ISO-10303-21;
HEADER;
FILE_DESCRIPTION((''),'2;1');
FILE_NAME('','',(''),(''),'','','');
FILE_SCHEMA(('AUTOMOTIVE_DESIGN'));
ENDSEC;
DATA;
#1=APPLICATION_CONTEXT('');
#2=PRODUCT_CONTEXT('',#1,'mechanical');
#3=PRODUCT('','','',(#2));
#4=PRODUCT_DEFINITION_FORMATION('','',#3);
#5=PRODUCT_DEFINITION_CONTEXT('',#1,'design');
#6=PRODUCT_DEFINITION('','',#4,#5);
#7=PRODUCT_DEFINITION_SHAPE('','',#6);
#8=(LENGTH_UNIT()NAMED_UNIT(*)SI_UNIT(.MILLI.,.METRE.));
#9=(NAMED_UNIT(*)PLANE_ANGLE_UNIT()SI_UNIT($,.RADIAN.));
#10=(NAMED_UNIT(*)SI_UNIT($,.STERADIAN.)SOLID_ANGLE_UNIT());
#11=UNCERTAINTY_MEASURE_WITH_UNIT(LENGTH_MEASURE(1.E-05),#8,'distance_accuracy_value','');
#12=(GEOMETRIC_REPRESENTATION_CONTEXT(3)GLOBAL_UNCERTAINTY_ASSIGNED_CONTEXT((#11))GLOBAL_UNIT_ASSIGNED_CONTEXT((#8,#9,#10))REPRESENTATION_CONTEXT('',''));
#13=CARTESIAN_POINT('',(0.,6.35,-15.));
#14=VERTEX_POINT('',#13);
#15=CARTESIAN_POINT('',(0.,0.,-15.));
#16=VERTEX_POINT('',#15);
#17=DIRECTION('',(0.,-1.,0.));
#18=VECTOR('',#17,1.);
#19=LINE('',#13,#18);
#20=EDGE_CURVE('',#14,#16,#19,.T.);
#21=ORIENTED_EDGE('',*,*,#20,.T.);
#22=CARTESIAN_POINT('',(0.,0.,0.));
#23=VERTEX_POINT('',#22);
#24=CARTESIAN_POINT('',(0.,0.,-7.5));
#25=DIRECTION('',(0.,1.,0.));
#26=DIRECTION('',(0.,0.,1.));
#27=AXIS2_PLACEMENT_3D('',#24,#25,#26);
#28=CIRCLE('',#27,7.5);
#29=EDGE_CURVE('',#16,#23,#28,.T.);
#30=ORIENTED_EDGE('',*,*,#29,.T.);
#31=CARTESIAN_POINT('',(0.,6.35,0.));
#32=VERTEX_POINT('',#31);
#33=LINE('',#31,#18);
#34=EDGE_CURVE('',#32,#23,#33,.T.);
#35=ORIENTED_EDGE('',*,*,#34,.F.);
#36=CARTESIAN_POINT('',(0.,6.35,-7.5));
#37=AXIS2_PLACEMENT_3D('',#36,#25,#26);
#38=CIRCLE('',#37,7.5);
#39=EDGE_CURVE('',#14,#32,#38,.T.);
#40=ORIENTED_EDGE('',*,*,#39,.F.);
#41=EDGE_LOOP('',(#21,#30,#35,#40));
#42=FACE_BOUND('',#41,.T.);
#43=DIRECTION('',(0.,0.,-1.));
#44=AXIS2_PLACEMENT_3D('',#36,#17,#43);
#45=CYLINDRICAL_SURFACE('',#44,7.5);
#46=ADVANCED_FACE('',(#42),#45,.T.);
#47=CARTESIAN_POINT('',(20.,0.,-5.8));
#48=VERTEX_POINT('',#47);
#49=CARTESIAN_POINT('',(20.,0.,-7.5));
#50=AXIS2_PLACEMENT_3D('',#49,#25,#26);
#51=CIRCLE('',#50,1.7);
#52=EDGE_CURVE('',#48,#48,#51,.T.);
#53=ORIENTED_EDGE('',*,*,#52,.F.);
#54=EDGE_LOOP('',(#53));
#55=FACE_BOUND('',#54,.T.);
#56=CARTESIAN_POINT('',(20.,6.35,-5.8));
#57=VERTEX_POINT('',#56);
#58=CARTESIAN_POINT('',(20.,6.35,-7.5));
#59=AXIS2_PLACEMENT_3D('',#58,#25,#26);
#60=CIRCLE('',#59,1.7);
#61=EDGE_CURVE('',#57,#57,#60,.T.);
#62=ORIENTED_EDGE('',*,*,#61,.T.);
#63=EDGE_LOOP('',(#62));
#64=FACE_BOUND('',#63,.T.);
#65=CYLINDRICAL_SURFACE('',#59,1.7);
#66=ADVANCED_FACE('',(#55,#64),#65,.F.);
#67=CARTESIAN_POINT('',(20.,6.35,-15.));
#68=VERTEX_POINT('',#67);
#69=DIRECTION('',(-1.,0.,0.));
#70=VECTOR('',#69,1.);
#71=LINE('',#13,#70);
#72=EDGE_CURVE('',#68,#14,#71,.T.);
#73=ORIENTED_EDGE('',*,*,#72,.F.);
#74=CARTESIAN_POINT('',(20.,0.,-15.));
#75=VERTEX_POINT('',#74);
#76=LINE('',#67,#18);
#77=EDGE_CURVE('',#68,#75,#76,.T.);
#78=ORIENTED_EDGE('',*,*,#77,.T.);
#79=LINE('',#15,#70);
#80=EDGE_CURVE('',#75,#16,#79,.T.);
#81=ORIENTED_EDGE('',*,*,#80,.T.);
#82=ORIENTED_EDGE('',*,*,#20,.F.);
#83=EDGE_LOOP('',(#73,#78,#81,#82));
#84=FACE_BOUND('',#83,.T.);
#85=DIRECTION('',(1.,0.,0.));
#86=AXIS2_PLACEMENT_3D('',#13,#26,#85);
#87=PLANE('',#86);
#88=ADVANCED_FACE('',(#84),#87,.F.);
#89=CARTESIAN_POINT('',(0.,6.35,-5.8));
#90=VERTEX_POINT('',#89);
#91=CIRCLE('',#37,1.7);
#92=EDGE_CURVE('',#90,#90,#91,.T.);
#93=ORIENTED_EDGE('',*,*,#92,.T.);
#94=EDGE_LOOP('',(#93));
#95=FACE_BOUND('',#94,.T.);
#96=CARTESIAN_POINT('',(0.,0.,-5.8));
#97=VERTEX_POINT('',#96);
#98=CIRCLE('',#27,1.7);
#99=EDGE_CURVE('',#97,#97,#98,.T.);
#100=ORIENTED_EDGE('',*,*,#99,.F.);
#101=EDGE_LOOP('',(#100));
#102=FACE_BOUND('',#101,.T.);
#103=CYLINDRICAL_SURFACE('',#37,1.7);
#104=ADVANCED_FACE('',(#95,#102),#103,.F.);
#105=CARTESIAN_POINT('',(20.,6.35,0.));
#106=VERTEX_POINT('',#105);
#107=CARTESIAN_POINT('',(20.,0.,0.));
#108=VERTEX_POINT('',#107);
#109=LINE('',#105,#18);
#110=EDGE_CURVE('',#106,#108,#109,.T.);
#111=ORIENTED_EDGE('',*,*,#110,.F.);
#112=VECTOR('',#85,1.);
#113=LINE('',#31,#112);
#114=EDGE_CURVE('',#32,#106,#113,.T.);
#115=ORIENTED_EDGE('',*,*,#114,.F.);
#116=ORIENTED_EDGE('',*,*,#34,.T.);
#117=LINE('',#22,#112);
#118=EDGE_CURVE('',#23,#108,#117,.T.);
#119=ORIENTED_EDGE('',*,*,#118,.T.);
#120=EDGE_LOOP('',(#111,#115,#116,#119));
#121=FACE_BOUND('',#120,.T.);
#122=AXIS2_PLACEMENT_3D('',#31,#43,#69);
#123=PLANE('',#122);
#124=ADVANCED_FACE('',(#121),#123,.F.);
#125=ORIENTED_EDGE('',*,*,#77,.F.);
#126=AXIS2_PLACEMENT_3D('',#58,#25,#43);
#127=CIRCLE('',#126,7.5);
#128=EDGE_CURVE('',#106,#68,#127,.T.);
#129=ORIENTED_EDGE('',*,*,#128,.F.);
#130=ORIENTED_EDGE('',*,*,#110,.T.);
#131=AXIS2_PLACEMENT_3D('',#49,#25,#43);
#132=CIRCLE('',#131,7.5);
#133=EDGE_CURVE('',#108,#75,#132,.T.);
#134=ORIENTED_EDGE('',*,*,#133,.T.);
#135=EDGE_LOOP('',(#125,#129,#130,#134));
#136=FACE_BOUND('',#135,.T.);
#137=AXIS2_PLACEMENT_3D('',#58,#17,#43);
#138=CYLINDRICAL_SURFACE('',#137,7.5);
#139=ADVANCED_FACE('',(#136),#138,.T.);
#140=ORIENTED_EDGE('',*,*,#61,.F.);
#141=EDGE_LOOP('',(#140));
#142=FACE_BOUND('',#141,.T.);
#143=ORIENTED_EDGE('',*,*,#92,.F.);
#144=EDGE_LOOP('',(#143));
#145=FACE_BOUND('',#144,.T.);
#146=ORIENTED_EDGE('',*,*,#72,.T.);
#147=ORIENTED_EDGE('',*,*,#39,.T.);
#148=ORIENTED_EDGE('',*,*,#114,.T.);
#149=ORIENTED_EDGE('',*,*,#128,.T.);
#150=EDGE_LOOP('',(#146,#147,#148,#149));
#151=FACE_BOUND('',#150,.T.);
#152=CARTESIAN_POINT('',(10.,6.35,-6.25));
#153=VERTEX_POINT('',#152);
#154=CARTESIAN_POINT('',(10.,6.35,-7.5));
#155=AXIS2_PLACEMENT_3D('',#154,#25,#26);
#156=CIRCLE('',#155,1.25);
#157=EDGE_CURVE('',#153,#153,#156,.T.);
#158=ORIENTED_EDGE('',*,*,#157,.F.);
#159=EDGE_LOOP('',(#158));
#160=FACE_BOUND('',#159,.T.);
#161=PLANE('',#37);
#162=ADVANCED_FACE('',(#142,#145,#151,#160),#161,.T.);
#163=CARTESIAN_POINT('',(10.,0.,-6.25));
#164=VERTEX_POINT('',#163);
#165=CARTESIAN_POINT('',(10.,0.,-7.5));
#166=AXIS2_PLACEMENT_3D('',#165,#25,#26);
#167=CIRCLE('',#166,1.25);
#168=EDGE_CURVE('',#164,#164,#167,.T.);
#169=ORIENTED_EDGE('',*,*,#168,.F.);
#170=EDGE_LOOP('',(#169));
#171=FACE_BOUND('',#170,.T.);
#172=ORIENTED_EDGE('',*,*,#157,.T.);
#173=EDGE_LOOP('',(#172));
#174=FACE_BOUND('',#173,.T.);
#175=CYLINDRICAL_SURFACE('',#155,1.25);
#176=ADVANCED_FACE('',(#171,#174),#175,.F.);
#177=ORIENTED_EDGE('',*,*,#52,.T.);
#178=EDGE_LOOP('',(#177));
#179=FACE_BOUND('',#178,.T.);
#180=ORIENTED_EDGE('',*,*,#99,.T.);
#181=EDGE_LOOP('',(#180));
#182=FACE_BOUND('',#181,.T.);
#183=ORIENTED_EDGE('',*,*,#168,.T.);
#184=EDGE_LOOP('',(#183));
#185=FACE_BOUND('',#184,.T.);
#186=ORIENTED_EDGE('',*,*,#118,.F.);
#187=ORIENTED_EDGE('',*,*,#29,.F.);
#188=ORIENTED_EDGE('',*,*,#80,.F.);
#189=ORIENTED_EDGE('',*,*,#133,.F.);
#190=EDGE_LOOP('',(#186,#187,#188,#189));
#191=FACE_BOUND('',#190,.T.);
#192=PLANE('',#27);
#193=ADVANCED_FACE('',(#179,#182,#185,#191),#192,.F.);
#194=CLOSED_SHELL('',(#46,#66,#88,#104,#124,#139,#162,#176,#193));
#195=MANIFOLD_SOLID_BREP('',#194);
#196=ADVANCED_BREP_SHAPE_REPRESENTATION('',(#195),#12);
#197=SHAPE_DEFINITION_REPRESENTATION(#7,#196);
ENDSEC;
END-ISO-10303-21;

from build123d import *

# Parameters (mm, degrees)
BOSS_EXTRUDE1_DEPTH         = 6.35
M3_CLEARANCE_HOLE1_D        = 3.4
TAP_DRILL_FOR_M3X0_5_TAP1_D = 2.5


with BuildPart() as part:
    # Sketch1 → Boss-Extrude1 (new body)
    with BuildSketch(Plane(origin=(0, 0, 0), x_dir=(1, 0, 0), z_dir=(0, 1, 0))):
        with BuildLine():
            Line((0, 0), (20, 0))
            ThreePointArc((20, 0), (27.5, 7.5), (20, 15))
            Line((20, 15), (0, 15))
            ThreePointArc((0, 15), (-7.5, 7.5), (0, 0))
        make_face()
    extrude(amount=BOSS_EXTRUDE1_DEPTH)

    # M3 Clearance Hole1 (through all)
    with Locations(Plane(origin=(0, 6.35, -7.5), x_dir=(0, 0, 1), z_dir=(0, 1, 0))):
        with Locations((0, 0), (0, 20)):
            Hole(M3_CLEARANCE_HOLE1_D / 2)

    # Tap Drill for M3x0.5 Tap1 (through all)
    with Locations(Plane(origin=(10, 6.35, -7.5), x_dir=(0, 0, 1), z_dir=(0, 1, 0))):
        with Locations((0, 0)):
            Hole(TAP_DRILL_FOR_M3X0_5_TAP1_D / 2)


solid = part.part
